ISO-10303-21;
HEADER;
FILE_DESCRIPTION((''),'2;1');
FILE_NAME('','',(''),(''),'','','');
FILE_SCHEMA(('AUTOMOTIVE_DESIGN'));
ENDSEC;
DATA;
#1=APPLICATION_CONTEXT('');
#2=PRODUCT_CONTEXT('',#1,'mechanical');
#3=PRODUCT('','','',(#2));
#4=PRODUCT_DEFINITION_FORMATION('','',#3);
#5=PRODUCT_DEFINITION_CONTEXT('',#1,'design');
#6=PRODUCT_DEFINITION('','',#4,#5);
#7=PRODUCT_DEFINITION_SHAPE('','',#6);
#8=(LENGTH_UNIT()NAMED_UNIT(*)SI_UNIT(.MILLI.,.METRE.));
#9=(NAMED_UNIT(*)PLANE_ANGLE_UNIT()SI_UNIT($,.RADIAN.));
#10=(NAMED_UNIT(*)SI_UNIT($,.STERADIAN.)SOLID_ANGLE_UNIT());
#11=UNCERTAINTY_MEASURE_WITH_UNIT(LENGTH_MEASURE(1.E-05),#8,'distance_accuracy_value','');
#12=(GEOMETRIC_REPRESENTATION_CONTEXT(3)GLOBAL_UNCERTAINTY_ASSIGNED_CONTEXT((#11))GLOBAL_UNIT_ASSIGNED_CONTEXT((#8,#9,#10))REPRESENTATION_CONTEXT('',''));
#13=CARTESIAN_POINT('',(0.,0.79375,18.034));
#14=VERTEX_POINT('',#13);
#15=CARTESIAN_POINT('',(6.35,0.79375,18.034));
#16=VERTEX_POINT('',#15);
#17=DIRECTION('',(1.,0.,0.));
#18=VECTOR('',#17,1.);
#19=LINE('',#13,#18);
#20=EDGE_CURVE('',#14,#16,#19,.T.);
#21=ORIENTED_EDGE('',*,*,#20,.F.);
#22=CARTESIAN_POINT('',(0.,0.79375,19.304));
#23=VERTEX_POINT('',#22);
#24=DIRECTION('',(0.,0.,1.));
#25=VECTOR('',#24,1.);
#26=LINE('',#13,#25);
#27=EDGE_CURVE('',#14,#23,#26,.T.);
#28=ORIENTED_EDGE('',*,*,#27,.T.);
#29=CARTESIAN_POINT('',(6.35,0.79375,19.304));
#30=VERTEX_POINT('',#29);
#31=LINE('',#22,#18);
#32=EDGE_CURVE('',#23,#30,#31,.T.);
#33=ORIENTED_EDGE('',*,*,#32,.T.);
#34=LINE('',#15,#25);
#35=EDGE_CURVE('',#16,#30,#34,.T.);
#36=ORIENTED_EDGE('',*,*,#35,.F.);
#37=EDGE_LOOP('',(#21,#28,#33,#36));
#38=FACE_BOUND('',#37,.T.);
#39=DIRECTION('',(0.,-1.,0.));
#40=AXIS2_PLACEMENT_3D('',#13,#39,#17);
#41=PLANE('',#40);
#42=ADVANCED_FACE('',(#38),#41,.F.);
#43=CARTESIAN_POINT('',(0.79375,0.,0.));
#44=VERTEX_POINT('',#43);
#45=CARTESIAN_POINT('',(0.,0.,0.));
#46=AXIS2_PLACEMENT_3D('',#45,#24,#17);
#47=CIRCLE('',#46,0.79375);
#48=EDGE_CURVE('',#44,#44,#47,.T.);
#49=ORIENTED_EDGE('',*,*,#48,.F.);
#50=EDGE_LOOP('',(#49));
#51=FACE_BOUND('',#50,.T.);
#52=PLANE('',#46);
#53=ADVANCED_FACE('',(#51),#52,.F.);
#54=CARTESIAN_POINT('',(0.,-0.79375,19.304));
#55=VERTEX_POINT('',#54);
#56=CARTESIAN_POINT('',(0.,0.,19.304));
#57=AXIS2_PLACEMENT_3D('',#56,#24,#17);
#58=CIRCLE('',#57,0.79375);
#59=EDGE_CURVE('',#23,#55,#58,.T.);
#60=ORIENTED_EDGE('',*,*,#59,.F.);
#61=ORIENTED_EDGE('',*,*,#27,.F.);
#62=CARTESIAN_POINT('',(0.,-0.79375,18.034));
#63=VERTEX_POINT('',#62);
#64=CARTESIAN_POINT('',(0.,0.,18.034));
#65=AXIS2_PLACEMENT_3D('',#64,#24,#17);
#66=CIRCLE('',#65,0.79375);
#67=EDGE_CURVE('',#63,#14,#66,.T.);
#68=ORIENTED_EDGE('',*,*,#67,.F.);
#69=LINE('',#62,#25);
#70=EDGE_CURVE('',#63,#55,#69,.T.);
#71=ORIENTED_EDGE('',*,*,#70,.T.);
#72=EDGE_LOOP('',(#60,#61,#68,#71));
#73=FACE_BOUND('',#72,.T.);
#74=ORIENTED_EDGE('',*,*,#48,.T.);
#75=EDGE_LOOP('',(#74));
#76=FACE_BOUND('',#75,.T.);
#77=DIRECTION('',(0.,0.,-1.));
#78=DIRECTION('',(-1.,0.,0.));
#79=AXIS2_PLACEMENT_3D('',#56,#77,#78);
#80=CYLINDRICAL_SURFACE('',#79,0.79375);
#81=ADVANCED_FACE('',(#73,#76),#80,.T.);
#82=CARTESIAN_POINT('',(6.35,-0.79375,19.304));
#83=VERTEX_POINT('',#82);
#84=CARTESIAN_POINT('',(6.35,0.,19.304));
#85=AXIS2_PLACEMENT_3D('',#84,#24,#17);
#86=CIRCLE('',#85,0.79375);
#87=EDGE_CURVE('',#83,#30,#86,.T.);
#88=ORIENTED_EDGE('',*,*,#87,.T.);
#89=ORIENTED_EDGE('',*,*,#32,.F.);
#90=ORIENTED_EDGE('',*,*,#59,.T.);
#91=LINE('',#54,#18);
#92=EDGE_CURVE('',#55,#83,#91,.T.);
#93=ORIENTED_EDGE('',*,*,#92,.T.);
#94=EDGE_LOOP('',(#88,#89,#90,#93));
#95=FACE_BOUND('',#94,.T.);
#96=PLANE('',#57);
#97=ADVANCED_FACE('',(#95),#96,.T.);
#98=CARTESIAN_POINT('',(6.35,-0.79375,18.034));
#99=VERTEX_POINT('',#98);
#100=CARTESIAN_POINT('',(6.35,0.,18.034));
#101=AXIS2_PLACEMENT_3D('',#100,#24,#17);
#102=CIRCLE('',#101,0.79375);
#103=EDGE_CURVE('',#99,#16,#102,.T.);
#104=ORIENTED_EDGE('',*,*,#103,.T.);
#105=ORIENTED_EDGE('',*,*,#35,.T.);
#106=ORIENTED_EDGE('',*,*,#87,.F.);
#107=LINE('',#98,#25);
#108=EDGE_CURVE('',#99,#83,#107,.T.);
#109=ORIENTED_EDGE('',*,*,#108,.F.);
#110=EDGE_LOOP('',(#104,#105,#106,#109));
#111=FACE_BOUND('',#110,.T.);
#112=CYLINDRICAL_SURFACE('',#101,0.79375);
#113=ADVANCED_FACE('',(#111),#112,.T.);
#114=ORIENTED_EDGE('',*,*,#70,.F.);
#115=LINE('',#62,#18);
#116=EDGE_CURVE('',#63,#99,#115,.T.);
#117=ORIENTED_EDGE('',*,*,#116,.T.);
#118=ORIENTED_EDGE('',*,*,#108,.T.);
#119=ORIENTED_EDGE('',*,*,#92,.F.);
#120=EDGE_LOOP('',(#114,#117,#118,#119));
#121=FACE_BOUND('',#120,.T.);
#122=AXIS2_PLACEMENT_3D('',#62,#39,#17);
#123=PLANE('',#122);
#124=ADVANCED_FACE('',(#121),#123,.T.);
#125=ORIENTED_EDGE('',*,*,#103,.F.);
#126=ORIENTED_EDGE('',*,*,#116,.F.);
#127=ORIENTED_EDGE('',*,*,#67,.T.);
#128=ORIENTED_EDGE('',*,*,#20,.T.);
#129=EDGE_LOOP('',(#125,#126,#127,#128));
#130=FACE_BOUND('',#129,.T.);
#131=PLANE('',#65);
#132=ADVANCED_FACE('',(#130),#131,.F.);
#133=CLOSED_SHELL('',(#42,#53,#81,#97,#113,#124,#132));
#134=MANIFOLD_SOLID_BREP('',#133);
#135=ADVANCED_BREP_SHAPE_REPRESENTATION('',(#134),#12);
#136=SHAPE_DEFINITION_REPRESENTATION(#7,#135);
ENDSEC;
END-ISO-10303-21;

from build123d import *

# Parameters (mm, degrees)
SKETCH1_R           = 0.79375
BOSS_EXTRUDE1_DEPTH = 19.304
BOSS_EXTRUDE5_START = -1.27
BOSS_EXTRUDE5_DEPTH = 1.27


with BuildPart() as part:
    # Sketch1 → Boss-Extrude1 (new body)
    with BuildSketch(Plane.XY):
        Circle(SKETCH1_R)
    extrude(amount=BOSS_EXTRUDE1_DEPTH)

    # Sketch3 → Boss-Extrude5 (add)
    with BuildSketch(Plane.XY.offset(19.304).offset(BOSS_EXTRUDE5_START)):
        with BuildLine():
            Line((0, 0.79375), (6.35, 0.79375))
            ThreePointArc((6.35, 0.79375), (7.14375, 0), (6.35, -0.79375))
            Line((6.35, -0.79375), (0, -0.79375))
            ThreePointArc((0, -0.79375), (-0.79375, 0), (0, 0.79375))
        make_face()
    extrude(amount=BOSS_EXTRUDE5_DEPTH)


solid = part.part
